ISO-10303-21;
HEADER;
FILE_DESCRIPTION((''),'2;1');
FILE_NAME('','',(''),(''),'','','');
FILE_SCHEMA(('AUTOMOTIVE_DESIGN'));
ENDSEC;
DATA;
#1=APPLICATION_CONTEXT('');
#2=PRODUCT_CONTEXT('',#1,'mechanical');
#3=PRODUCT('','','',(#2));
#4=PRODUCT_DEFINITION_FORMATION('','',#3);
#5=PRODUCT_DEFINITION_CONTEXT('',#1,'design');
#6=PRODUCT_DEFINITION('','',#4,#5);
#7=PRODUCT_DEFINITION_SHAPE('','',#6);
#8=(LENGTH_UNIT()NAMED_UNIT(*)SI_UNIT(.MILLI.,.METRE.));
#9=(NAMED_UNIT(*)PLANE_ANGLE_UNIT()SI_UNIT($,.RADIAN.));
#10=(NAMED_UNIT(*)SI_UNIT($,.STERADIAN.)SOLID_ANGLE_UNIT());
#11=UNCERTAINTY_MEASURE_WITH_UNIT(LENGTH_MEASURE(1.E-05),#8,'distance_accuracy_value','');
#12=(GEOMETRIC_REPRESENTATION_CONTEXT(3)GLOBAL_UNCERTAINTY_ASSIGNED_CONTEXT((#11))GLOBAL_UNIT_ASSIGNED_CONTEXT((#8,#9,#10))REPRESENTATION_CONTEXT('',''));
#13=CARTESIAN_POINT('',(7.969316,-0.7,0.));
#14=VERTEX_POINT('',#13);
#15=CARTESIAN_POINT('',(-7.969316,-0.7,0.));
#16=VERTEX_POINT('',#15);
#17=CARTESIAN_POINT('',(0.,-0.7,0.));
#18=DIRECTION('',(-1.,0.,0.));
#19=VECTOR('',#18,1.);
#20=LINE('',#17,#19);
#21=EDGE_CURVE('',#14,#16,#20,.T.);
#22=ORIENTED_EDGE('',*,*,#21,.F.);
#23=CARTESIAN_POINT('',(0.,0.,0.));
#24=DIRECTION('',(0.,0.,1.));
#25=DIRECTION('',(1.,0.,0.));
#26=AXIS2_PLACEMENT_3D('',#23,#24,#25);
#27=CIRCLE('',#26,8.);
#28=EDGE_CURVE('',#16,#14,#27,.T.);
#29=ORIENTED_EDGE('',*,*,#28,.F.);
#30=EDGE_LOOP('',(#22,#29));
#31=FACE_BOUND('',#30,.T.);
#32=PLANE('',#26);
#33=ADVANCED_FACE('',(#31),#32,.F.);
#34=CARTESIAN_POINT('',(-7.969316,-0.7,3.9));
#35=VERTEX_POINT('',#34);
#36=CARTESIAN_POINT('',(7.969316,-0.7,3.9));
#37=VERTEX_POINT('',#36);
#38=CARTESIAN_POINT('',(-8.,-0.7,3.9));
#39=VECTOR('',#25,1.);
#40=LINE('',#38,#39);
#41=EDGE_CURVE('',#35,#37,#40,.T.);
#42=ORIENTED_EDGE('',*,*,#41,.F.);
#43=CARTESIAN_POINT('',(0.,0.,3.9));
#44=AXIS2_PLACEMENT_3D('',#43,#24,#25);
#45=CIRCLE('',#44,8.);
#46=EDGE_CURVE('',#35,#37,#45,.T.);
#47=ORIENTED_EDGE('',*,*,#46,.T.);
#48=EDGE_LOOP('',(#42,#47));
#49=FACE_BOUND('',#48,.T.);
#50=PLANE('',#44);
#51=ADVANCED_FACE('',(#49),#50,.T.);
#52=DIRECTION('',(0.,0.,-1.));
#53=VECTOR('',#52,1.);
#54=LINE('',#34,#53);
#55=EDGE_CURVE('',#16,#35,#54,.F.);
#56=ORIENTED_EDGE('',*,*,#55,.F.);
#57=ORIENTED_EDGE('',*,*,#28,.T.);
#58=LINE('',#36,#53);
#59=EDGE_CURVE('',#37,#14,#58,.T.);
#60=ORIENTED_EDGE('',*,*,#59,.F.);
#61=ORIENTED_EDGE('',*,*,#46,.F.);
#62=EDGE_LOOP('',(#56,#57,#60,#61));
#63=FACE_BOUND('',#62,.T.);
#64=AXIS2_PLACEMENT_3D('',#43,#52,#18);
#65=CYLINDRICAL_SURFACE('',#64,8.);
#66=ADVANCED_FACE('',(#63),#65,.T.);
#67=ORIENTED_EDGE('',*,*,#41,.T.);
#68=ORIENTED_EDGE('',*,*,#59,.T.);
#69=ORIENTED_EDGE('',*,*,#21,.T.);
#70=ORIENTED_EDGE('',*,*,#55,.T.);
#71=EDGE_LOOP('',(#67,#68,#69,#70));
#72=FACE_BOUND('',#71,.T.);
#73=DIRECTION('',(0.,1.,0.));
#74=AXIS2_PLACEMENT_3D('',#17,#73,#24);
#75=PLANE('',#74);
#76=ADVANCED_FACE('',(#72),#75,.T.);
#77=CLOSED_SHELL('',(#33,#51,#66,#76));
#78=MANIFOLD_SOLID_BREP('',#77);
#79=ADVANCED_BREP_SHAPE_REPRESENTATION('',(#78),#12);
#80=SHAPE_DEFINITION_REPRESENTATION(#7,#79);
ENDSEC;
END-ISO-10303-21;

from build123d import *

# Parameters (mm, degrees)
ESTRUSIONE_ESTRUSIONE1_DEPTH = 3.9
SCHIZZO2_W                   = 16
SCHIZZO2_H                   = 3.9
TAGLIO_ESTRUSIONE1_DEPTH     = 0.7


with BuildPart() as part:
    # Schizzo1 → Estrusione-Estrusione1 (new body)
    with BuildSketch(Plane.XY):
        with BuildLine():
            Line((-8, 0), (8, 0))
            ThreePointArc((8, 0), (0, -8), (-8, 0))
        make_face()
    extrude(amount=ESTRUSIONE_ESTRUSIONE1_DEPTH)

    # Schizzo2 → Taglio-Estrusione1 (cut)
    with BuildSketch(Plane(origin=(0, 0, 0), x_dir=(1, 0, 0), z_dir=(0, 1, 0))):
        with Locations((0, -1.95)):
            Rectangle(SCHIZZO2_W, SCHIZZO2_H)
    extrude(amount=-TAGLIO_ESTRUSIONE1_DEPTH, mode=Mode.SUBTRACT)


solid = part.part
